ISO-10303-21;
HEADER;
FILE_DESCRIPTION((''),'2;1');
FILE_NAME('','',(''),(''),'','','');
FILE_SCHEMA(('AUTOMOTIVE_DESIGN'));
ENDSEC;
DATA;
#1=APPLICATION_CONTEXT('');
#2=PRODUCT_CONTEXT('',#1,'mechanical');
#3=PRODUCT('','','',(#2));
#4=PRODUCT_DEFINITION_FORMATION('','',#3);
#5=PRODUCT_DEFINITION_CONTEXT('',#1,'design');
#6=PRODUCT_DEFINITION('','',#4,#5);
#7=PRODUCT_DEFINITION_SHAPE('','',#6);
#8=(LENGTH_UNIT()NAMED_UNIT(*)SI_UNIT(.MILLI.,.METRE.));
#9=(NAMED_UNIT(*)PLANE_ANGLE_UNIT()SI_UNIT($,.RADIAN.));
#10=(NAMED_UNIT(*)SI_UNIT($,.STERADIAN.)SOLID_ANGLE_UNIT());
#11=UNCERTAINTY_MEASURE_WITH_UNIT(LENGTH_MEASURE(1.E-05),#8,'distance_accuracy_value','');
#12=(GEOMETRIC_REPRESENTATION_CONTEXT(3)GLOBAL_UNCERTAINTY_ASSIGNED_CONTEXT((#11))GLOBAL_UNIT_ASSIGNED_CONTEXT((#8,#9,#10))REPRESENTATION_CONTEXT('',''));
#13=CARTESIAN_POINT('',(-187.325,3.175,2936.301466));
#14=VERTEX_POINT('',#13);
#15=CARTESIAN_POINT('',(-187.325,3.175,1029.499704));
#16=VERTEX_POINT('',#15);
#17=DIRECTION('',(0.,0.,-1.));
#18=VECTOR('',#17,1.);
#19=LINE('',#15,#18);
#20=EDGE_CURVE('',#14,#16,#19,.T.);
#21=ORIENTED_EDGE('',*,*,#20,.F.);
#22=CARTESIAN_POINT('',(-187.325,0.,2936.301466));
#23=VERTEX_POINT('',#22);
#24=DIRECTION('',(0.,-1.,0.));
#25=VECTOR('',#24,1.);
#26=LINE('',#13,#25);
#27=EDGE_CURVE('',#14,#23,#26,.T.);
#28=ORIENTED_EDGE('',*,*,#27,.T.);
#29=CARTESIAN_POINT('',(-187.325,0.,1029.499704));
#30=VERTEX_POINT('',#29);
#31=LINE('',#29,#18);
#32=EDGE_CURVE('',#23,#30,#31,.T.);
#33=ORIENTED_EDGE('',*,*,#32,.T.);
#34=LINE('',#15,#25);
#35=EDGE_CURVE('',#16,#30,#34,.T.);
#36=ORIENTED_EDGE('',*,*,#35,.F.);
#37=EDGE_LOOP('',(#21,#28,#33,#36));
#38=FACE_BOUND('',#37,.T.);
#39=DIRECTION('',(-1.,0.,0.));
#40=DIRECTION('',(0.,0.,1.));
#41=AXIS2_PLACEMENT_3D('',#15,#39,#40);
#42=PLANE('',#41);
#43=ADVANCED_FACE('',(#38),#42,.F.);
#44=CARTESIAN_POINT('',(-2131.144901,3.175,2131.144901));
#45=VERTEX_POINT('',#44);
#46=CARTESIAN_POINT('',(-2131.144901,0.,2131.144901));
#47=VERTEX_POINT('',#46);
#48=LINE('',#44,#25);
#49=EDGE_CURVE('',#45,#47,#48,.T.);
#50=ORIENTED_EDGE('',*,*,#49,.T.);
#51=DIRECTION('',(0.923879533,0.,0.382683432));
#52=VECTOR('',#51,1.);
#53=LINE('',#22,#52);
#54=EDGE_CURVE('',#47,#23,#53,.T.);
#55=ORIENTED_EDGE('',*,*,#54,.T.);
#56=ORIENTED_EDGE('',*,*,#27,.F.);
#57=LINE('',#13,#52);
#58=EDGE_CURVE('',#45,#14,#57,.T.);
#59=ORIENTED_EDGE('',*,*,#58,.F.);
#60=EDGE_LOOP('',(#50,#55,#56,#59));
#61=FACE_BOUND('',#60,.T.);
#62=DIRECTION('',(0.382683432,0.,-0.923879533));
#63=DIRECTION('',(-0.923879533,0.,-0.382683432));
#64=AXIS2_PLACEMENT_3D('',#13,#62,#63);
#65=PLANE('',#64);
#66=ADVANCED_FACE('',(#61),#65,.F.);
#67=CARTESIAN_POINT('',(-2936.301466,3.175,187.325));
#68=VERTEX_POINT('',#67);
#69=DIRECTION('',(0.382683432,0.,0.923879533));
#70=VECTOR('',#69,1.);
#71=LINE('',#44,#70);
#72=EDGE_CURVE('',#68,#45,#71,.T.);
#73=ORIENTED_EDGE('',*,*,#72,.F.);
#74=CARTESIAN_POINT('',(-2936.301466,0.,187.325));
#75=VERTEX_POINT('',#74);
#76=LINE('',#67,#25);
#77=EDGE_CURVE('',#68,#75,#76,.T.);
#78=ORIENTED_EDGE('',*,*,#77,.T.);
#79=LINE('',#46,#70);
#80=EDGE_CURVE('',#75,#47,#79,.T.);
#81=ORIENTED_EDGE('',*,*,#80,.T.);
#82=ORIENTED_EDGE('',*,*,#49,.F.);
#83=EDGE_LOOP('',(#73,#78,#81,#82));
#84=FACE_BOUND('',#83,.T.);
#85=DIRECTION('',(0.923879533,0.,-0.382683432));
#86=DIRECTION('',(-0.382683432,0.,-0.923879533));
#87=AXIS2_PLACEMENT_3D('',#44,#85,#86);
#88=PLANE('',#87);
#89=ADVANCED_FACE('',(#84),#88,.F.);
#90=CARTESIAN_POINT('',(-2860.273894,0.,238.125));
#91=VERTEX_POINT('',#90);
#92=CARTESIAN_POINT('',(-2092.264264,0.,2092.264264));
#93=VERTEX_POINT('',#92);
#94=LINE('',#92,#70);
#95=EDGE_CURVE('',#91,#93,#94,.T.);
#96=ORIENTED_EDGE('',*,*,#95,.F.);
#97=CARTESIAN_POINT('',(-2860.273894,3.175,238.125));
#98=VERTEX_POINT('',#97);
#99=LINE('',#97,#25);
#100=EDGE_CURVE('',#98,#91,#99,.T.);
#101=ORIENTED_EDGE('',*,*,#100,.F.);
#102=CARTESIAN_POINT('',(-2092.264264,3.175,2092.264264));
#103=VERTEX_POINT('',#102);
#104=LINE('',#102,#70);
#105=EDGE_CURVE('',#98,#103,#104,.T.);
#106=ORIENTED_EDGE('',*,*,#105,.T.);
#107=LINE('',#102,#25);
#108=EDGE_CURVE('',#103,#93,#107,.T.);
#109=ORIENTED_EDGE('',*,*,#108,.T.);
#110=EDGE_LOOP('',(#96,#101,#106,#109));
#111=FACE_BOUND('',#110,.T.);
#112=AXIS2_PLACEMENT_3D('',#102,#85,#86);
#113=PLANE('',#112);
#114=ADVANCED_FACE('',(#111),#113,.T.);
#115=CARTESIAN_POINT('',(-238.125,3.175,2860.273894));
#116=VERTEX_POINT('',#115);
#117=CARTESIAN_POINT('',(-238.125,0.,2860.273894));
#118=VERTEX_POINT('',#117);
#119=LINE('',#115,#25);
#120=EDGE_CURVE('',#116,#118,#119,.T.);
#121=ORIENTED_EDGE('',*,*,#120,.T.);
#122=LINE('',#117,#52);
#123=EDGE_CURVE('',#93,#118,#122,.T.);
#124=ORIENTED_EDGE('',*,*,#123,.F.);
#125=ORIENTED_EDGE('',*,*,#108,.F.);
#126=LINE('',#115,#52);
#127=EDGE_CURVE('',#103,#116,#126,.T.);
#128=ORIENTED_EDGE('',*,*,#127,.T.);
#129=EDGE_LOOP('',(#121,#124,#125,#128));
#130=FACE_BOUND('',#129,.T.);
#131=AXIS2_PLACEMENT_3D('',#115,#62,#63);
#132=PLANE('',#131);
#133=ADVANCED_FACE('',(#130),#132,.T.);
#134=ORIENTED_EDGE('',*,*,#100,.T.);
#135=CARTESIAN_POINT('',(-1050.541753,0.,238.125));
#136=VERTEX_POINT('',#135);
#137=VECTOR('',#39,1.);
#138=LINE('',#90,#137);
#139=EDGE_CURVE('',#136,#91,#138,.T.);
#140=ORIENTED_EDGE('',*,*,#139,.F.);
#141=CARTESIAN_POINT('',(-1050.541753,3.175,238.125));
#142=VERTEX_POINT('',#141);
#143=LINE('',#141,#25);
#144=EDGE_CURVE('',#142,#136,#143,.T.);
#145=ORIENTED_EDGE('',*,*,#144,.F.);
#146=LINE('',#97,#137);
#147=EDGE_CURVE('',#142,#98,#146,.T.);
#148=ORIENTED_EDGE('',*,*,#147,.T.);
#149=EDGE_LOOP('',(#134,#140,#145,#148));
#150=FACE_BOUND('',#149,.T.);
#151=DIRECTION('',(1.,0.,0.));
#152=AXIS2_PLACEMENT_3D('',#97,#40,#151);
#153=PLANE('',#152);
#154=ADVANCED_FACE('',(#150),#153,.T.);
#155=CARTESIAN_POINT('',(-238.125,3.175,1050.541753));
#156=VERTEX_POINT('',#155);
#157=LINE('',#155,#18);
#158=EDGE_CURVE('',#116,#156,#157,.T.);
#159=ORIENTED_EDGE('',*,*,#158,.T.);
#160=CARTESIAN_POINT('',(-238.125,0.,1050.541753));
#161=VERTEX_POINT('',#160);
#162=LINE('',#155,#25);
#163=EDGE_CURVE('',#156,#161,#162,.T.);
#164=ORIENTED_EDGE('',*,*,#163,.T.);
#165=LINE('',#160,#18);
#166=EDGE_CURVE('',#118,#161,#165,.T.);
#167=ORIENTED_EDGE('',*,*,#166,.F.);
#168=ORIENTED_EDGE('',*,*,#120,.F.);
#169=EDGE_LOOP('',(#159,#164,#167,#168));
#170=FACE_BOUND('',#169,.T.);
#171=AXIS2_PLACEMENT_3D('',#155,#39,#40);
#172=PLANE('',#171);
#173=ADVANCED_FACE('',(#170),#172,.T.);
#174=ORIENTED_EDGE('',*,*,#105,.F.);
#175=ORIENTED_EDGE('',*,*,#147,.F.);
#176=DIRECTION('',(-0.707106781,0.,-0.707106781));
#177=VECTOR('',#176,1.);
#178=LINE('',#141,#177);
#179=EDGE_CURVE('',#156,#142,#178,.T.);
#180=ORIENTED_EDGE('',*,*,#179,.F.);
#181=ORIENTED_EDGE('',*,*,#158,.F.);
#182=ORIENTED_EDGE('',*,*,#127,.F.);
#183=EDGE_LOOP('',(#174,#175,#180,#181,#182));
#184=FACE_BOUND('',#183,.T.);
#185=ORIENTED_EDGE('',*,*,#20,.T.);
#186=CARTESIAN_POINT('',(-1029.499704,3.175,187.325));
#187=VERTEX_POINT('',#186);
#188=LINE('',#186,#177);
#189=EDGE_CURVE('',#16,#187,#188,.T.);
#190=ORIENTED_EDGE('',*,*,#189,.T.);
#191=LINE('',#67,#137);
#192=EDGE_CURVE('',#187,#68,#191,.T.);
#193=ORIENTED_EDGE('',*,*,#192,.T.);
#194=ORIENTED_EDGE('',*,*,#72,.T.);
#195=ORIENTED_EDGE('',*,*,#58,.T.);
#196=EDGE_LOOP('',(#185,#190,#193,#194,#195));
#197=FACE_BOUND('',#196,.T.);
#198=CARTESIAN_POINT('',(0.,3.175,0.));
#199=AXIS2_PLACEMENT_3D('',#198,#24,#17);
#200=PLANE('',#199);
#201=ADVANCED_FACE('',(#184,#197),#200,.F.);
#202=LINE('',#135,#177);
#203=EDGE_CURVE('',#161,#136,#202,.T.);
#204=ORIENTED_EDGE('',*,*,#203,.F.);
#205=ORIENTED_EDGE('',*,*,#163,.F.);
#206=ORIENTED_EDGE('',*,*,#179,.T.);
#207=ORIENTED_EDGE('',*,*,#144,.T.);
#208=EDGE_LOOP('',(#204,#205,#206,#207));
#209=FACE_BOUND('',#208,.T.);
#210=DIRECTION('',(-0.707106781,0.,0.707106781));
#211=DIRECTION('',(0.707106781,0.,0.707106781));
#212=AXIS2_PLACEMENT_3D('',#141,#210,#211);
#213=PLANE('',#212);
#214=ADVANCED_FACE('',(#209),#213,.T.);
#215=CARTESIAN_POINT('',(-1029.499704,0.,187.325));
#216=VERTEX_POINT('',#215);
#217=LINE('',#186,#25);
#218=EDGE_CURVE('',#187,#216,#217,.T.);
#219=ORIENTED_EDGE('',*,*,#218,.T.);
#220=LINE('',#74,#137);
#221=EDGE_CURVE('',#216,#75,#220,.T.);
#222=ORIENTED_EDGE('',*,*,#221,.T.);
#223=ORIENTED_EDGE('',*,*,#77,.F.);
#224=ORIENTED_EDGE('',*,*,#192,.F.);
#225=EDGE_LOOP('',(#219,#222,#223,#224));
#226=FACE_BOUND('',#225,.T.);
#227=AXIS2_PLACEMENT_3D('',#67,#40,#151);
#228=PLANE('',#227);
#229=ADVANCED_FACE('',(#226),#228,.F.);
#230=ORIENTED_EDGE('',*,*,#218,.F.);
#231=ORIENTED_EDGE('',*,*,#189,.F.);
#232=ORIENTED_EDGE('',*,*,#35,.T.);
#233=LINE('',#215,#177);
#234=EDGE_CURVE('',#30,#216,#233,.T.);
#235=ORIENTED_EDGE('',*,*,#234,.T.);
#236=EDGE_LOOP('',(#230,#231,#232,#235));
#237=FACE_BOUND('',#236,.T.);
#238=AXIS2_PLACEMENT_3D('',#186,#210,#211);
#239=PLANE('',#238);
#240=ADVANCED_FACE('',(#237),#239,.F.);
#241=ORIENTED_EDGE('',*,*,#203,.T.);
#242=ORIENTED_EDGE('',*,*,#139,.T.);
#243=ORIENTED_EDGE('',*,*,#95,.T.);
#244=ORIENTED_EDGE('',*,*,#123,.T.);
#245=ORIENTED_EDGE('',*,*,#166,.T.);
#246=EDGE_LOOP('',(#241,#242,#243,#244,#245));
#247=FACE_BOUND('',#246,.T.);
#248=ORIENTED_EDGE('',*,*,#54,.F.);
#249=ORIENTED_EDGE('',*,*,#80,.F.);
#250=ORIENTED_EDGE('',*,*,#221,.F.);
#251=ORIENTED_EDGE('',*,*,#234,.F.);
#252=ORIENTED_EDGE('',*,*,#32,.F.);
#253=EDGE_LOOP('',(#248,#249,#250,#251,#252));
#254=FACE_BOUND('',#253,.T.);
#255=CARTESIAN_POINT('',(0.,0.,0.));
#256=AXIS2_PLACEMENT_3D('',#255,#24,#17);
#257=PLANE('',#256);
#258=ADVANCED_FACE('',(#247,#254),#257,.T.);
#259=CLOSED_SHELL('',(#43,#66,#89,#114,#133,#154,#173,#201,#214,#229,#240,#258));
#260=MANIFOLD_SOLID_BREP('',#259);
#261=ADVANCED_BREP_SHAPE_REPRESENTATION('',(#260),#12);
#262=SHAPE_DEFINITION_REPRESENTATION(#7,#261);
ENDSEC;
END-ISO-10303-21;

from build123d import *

# Parameters (mm, degrees)
BOSS_EXTRUDE1_DEPTH = 3.175


with BuildPart() as part:
    # Sketch1 → Boss-Extrude1 (new body)
    with BuildSketch(Plane(origin=(0, 0, 0), x_dir=(1, 0, 0), z_dir=(0, 1, 0))):
        Polygon((-1029.499704405, -187.325), (-187.325, -1029.499704405), (-187.325, -2936.301466338), (-2131.14490067, -2131.14490067), (-2936.301466338, -187.325), align=None)
        Polygon((-238.125, -1050.541753373), (-238.125, -2860.273893594), (-2092.264263941, -2092.264263941), (-2860.273893594, -238.125), (-1050.541753373, -238.125), align=None, mode=Mode.SUBTRACT)
    extrude(amount=BOSS_EXTRUDE1_DEPTH)


solid = part.part
